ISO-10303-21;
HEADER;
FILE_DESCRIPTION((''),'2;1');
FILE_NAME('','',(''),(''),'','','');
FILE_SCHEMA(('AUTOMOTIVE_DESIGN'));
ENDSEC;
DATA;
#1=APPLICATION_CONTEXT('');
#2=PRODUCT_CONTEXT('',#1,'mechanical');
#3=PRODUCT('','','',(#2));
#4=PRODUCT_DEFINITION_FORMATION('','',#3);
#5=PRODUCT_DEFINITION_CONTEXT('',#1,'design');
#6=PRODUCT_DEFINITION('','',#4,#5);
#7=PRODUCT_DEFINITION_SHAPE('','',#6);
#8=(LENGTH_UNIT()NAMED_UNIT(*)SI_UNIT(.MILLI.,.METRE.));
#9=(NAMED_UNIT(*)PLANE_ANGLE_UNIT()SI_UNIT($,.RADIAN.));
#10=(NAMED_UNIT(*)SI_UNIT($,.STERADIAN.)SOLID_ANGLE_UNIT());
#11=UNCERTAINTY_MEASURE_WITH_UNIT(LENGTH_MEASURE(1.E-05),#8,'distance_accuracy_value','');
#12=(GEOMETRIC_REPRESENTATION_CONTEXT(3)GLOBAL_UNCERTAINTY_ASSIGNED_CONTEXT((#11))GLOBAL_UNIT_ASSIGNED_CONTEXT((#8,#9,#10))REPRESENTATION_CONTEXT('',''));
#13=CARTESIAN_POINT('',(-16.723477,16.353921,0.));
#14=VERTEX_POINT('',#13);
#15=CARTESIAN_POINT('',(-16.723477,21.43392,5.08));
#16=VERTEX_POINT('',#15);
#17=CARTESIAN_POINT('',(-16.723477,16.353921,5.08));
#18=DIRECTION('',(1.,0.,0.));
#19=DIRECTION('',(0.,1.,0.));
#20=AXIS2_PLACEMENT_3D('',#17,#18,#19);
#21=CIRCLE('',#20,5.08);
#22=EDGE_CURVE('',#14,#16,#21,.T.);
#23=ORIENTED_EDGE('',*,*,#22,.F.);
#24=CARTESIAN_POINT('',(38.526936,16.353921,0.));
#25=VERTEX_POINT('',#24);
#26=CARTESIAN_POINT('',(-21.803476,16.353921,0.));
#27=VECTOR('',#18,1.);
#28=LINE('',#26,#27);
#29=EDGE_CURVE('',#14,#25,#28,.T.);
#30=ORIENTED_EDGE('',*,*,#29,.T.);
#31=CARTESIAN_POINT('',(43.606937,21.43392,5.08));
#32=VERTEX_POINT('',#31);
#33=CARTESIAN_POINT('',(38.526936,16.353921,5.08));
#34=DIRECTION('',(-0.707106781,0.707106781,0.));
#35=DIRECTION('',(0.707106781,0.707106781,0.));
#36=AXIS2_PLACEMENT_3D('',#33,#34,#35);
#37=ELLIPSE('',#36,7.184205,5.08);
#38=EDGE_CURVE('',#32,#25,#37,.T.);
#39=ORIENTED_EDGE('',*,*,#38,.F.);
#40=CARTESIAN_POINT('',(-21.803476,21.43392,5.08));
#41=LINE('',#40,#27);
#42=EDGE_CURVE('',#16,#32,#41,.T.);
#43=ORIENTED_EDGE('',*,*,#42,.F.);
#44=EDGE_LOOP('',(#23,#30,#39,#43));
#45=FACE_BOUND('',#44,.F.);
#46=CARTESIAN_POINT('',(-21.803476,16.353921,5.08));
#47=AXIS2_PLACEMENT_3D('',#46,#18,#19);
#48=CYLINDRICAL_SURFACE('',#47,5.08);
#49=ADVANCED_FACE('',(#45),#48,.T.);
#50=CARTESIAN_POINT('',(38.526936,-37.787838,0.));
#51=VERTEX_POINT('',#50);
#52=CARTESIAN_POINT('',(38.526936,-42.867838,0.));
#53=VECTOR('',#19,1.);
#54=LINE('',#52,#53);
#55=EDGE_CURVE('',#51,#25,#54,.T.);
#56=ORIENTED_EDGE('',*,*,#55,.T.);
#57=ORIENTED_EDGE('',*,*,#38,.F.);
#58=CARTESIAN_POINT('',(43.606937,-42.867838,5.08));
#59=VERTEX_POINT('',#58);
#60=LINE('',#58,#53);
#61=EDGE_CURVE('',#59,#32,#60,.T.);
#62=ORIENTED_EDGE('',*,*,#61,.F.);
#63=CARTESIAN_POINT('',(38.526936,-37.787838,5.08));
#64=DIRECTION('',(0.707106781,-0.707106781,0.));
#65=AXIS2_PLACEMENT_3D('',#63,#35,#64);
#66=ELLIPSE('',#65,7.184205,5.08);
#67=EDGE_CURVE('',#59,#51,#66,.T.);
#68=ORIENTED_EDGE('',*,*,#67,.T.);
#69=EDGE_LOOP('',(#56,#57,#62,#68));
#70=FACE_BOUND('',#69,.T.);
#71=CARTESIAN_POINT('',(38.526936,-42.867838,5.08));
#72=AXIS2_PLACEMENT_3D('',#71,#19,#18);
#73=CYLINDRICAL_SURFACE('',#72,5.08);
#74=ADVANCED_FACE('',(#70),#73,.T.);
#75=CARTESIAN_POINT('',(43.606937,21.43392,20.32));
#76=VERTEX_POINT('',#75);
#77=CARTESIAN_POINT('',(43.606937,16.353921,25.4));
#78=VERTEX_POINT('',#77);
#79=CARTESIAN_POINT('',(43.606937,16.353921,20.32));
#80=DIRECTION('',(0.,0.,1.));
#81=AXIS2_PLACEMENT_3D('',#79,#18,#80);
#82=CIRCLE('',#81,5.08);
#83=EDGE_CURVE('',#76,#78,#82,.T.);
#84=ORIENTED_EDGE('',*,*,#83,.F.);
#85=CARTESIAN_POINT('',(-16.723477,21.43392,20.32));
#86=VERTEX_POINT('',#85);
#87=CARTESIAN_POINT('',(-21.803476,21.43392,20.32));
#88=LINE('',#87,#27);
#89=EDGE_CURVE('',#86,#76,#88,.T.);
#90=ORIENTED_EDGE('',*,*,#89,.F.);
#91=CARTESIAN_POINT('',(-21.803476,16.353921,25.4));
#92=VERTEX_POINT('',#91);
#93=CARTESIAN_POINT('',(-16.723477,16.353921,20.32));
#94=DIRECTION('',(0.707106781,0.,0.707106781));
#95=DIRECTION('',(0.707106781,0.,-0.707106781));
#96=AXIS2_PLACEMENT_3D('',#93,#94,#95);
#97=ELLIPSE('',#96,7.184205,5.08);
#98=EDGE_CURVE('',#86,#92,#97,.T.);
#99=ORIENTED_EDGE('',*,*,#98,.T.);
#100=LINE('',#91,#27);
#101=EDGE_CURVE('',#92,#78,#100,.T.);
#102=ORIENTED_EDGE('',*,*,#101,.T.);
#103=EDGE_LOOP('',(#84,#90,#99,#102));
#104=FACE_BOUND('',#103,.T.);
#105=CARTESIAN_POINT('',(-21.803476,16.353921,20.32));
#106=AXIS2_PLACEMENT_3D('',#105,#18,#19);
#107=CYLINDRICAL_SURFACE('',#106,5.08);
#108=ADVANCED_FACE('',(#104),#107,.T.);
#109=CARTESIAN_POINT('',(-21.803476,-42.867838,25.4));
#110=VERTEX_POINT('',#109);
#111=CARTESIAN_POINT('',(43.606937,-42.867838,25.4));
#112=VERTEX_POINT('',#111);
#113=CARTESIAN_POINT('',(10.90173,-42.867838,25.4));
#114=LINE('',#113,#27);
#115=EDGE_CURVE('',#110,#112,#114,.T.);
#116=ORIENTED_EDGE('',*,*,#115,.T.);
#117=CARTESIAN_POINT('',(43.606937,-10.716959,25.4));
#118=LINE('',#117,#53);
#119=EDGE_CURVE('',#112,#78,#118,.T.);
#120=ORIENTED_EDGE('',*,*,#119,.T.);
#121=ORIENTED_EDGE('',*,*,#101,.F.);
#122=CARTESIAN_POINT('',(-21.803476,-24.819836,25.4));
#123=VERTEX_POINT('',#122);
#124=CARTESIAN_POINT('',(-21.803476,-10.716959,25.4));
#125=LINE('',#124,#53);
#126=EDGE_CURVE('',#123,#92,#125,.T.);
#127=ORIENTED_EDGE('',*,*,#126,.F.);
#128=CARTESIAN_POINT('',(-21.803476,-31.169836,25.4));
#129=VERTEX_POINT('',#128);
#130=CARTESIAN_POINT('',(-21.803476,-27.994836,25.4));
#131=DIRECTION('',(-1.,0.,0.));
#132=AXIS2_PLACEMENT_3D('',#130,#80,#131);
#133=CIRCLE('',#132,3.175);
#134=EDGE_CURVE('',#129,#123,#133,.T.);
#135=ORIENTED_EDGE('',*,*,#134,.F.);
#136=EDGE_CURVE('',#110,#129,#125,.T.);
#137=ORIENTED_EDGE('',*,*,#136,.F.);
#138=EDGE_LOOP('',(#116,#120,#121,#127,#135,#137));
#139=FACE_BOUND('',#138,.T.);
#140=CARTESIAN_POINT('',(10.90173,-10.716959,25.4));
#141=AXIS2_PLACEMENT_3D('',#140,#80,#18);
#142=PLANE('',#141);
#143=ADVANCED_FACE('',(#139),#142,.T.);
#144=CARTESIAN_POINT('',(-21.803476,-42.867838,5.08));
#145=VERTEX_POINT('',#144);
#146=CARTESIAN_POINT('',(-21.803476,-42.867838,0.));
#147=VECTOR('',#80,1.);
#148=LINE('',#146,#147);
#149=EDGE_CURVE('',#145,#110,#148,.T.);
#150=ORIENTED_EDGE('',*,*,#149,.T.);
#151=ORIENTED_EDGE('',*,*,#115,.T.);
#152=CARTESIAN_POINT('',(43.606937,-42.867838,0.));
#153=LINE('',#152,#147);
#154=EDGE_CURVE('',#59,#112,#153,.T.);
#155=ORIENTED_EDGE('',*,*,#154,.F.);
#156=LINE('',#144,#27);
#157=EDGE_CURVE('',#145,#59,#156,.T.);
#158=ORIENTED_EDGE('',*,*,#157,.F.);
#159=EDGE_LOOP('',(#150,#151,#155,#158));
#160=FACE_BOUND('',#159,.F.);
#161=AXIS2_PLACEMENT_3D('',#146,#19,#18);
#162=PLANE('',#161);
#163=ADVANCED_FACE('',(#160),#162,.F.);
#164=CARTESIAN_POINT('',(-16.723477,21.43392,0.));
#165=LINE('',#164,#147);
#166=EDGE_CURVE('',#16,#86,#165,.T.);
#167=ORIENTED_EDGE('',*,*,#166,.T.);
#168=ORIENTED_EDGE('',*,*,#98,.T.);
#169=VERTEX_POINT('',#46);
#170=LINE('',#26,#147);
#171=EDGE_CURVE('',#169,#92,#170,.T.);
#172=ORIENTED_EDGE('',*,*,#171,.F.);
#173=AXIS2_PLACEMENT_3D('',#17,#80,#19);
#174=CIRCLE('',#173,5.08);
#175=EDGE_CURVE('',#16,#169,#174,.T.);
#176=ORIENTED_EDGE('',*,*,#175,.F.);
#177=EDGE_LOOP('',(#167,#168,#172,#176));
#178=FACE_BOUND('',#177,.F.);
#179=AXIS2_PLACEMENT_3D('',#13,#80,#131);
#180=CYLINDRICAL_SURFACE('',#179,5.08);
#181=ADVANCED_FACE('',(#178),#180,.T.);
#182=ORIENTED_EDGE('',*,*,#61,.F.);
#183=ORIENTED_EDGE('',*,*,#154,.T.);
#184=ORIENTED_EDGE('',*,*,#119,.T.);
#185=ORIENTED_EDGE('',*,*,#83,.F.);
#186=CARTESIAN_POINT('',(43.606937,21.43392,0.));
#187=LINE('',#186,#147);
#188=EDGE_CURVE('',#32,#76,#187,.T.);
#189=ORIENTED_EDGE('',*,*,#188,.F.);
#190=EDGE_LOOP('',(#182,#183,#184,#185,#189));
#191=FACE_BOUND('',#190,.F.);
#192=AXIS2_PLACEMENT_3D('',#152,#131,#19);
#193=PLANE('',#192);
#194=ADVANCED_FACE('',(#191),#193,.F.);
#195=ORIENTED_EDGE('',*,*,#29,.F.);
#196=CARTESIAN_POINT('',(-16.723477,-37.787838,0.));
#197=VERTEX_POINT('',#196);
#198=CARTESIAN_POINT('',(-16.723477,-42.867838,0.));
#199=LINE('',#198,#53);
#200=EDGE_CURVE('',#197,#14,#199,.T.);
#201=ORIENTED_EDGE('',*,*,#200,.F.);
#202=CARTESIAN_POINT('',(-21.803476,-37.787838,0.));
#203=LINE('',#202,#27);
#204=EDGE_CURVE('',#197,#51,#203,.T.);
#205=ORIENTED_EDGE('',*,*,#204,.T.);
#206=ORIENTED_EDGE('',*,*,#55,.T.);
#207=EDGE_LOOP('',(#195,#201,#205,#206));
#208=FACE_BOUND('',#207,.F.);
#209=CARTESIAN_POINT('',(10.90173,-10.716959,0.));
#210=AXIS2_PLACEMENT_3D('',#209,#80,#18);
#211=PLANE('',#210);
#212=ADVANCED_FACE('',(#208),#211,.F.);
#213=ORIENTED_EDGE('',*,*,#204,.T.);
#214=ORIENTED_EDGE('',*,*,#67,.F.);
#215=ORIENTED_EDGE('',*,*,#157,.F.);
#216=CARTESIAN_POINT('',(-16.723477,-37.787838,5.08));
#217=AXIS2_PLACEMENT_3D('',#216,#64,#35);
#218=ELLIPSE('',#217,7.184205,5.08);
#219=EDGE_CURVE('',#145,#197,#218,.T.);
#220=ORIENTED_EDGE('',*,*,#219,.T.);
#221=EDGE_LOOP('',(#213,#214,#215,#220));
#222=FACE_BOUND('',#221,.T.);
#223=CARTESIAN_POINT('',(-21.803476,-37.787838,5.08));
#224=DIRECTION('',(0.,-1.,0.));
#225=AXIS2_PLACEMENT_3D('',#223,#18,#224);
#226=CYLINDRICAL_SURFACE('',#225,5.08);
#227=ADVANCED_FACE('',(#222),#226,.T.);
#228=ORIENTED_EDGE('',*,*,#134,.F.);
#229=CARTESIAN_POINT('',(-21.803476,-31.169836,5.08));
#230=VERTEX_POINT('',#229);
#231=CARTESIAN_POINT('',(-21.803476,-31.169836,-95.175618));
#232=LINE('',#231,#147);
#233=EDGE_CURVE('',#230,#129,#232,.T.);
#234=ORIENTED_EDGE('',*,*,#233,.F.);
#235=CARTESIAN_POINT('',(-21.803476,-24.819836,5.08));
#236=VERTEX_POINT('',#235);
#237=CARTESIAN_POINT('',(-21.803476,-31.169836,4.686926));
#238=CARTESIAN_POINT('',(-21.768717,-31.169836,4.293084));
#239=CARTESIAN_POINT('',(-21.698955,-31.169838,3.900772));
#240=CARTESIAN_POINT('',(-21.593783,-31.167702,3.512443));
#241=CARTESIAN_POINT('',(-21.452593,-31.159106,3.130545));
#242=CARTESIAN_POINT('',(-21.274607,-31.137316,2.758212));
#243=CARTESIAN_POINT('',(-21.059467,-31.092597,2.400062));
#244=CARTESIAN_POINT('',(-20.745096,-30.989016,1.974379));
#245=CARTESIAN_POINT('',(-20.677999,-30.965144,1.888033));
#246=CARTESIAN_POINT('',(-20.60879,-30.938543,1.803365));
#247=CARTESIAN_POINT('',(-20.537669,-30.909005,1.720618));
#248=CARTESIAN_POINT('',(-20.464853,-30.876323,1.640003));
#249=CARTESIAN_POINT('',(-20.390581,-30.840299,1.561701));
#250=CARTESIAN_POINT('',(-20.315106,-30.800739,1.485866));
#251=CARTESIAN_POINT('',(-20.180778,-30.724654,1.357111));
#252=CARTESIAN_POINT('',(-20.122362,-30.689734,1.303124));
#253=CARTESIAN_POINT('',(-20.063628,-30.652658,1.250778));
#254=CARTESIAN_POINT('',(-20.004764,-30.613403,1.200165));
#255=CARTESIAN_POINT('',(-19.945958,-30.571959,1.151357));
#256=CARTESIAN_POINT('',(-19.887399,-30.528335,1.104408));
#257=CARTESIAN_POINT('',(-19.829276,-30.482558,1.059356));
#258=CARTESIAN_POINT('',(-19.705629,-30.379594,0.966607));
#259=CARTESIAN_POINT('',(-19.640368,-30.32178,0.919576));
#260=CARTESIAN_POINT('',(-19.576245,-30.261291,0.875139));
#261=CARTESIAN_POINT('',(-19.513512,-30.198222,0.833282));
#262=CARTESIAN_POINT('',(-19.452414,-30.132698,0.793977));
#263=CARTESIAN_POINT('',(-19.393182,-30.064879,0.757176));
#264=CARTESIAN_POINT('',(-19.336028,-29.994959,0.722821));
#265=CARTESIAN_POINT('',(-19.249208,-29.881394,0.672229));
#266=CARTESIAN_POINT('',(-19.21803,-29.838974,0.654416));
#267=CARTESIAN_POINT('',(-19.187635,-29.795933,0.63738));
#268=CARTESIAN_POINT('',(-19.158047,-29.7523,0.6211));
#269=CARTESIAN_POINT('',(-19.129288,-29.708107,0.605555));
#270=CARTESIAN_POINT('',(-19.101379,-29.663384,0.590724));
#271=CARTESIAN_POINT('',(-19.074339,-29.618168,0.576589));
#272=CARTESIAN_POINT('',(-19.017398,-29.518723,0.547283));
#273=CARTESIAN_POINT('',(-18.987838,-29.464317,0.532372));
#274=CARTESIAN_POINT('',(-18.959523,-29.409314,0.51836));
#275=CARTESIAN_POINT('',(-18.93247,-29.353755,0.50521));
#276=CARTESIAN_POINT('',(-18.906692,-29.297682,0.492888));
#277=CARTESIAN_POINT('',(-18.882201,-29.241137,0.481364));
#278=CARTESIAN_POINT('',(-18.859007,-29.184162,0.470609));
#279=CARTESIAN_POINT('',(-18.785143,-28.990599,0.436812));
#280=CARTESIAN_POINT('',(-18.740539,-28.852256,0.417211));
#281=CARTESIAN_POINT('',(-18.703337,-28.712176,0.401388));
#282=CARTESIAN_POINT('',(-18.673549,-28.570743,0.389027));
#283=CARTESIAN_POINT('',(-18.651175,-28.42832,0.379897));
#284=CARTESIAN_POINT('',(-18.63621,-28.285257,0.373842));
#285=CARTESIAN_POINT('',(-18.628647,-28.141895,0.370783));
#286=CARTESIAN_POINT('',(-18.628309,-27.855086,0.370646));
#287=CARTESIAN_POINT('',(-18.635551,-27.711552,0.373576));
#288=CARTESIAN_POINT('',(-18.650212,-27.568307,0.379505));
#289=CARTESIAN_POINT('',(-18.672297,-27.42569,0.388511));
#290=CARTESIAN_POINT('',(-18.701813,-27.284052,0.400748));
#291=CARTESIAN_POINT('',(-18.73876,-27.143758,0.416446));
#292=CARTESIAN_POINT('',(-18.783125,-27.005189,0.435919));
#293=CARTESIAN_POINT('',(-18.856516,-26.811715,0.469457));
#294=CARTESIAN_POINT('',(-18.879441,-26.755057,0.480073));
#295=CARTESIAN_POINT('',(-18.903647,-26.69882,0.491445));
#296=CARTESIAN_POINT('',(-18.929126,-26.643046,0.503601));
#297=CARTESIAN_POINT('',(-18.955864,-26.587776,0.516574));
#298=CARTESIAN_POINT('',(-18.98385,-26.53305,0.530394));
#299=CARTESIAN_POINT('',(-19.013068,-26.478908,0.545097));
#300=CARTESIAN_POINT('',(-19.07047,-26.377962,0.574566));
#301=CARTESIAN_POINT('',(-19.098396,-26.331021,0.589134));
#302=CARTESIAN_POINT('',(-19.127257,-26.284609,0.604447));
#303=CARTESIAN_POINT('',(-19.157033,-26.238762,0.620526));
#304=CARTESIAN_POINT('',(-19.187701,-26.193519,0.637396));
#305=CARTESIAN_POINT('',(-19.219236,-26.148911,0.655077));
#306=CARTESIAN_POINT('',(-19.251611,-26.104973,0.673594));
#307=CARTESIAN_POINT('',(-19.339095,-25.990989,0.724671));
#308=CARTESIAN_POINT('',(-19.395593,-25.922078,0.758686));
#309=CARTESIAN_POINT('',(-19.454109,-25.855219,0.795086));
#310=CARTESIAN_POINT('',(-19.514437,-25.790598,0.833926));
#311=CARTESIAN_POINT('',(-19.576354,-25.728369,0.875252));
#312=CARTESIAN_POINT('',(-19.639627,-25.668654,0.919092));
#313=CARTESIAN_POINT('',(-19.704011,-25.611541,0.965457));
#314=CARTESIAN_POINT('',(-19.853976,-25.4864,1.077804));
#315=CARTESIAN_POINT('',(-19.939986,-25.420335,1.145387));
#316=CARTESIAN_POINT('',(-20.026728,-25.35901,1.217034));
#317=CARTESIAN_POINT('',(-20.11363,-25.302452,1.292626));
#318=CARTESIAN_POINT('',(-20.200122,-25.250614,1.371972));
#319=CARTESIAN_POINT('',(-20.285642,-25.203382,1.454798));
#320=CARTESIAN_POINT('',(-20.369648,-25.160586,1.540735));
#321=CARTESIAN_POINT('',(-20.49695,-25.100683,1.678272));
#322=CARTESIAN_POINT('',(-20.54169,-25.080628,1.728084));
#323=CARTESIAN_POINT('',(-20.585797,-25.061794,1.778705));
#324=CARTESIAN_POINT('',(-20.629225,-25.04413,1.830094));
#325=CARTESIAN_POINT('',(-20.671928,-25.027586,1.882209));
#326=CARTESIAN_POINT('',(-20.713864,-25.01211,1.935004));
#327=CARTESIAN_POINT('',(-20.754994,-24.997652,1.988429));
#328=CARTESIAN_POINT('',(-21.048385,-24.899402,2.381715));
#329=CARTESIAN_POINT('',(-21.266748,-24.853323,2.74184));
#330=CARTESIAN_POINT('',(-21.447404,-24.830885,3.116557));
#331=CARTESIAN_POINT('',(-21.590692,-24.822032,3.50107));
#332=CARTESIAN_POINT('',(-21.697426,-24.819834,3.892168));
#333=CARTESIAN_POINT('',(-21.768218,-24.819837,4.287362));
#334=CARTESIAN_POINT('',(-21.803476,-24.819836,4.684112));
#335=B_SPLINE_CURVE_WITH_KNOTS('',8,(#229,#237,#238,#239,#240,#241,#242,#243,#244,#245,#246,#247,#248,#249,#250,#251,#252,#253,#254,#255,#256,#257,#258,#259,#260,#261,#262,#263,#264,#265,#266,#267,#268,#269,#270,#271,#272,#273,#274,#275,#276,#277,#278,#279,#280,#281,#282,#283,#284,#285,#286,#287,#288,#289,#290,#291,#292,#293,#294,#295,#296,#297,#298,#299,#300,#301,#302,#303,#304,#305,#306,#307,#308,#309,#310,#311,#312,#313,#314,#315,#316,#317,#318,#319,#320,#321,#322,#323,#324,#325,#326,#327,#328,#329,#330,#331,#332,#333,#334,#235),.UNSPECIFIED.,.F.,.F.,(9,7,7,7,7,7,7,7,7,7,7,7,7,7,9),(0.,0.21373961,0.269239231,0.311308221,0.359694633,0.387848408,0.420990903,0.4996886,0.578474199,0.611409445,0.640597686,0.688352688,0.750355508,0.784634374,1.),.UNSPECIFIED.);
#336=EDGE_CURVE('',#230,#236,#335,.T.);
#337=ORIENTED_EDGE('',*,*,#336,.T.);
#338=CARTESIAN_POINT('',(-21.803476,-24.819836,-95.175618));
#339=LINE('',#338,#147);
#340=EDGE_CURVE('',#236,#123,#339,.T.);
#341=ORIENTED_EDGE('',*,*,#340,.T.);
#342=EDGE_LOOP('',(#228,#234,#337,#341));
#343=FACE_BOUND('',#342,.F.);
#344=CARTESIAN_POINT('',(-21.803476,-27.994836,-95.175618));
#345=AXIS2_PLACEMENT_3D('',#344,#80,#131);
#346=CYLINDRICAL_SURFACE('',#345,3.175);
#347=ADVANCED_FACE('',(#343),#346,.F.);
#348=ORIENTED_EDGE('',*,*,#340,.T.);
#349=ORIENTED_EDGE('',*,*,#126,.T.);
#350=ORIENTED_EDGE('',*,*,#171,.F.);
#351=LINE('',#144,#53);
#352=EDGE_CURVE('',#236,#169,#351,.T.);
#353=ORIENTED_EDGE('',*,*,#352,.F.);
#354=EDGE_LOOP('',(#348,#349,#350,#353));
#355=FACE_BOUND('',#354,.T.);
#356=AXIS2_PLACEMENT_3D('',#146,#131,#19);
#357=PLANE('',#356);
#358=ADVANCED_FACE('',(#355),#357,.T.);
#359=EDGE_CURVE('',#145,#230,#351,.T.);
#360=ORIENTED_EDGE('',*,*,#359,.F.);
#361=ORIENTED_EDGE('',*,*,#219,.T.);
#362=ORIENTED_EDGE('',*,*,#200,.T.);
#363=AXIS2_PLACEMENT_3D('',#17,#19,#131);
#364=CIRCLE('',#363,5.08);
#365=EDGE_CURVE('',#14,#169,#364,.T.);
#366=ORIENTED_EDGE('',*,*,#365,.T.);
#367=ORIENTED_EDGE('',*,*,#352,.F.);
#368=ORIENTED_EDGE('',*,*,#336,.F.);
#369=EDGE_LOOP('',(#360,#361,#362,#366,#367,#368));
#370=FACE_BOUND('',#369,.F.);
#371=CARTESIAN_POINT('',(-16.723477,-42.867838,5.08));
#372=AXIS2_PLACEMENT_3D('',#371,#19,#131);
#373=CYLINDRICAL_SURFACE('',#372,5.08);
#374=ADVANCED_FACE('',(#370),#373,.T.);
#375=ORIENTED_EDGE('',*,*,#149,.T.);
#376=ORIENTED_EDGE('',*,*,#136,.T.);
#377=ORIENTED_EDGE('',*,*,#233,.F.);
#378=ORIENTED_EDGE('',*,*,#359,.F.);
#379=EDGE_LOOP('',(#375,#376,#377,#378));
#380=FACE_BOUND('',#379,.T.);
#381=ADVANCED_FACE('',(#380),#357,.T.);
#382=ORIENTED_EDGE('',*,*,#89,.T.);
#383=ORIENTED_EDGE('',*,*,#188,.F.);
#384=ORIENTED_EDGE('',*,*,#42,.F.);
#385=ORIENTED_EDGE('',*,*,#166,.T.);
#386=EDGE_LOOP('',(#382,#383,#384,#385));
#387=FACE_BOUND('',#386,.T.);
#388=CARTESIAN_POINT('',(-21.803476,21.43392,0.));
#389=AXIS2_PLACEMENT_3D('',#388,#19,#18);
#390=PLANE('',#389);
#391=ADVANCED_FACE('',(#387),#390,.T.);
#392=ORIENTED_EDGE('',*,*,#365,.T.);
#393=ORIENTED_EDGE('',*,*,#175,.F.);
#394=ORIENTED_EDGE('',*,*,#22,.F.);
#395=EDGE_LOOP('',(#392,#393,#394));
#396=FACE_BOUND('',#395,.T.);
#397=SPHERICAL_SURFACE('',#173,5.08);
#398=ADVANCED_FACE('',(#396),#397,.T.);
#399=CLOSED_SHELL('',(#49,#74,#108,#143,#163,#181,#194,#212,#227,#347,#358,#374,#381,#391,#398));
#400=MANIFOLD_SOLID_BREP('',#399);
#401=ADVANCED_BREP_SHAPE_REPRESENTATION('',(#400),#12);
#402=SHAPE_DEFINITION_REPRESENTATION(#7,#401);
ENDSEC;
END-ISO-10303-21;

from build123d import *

# Parameters (mm, degrees)
F0_W     = 65.410413
F0_H     = 64.301759
F1_DEPTH = 25.4
F3_R     = 5.08
F4_D     = 6.35


with BuildPart() as f1:
    # F0 (on Top) → F1 (new body)
    with BuildSketch(Plane.XY):
        with Locations((10.90173, -10.716959)):
            Rectangle(F0_W, F0_H)
    extrude(amount=F1_DEPTH)

    # F3
    f3_edges = [f1.edges().sort_by_distance(p)[0] for p in [
        (10.901731, 21.43392, 25.4),
        (-21.803476, 21.43392, 12.7),
        (10.901731, 21.43392, 0),
        (-21.803476, -10.71696, 0),
        (10.901731, -42.867839, 0),
        (43.606937, -10.71696, 0),
    ]]
    fillet(f3_edges, radius=F3_R)

    # F4 (through all)
    with Locations(Plane(origin=(0, 0, 0), x_dir=(1, 0, 0), z_dir=(0, 0, -1))):
        with Locations((-21.803476, 27.994836)):
            Hole(F4_D / 2)


solid = f1.part
